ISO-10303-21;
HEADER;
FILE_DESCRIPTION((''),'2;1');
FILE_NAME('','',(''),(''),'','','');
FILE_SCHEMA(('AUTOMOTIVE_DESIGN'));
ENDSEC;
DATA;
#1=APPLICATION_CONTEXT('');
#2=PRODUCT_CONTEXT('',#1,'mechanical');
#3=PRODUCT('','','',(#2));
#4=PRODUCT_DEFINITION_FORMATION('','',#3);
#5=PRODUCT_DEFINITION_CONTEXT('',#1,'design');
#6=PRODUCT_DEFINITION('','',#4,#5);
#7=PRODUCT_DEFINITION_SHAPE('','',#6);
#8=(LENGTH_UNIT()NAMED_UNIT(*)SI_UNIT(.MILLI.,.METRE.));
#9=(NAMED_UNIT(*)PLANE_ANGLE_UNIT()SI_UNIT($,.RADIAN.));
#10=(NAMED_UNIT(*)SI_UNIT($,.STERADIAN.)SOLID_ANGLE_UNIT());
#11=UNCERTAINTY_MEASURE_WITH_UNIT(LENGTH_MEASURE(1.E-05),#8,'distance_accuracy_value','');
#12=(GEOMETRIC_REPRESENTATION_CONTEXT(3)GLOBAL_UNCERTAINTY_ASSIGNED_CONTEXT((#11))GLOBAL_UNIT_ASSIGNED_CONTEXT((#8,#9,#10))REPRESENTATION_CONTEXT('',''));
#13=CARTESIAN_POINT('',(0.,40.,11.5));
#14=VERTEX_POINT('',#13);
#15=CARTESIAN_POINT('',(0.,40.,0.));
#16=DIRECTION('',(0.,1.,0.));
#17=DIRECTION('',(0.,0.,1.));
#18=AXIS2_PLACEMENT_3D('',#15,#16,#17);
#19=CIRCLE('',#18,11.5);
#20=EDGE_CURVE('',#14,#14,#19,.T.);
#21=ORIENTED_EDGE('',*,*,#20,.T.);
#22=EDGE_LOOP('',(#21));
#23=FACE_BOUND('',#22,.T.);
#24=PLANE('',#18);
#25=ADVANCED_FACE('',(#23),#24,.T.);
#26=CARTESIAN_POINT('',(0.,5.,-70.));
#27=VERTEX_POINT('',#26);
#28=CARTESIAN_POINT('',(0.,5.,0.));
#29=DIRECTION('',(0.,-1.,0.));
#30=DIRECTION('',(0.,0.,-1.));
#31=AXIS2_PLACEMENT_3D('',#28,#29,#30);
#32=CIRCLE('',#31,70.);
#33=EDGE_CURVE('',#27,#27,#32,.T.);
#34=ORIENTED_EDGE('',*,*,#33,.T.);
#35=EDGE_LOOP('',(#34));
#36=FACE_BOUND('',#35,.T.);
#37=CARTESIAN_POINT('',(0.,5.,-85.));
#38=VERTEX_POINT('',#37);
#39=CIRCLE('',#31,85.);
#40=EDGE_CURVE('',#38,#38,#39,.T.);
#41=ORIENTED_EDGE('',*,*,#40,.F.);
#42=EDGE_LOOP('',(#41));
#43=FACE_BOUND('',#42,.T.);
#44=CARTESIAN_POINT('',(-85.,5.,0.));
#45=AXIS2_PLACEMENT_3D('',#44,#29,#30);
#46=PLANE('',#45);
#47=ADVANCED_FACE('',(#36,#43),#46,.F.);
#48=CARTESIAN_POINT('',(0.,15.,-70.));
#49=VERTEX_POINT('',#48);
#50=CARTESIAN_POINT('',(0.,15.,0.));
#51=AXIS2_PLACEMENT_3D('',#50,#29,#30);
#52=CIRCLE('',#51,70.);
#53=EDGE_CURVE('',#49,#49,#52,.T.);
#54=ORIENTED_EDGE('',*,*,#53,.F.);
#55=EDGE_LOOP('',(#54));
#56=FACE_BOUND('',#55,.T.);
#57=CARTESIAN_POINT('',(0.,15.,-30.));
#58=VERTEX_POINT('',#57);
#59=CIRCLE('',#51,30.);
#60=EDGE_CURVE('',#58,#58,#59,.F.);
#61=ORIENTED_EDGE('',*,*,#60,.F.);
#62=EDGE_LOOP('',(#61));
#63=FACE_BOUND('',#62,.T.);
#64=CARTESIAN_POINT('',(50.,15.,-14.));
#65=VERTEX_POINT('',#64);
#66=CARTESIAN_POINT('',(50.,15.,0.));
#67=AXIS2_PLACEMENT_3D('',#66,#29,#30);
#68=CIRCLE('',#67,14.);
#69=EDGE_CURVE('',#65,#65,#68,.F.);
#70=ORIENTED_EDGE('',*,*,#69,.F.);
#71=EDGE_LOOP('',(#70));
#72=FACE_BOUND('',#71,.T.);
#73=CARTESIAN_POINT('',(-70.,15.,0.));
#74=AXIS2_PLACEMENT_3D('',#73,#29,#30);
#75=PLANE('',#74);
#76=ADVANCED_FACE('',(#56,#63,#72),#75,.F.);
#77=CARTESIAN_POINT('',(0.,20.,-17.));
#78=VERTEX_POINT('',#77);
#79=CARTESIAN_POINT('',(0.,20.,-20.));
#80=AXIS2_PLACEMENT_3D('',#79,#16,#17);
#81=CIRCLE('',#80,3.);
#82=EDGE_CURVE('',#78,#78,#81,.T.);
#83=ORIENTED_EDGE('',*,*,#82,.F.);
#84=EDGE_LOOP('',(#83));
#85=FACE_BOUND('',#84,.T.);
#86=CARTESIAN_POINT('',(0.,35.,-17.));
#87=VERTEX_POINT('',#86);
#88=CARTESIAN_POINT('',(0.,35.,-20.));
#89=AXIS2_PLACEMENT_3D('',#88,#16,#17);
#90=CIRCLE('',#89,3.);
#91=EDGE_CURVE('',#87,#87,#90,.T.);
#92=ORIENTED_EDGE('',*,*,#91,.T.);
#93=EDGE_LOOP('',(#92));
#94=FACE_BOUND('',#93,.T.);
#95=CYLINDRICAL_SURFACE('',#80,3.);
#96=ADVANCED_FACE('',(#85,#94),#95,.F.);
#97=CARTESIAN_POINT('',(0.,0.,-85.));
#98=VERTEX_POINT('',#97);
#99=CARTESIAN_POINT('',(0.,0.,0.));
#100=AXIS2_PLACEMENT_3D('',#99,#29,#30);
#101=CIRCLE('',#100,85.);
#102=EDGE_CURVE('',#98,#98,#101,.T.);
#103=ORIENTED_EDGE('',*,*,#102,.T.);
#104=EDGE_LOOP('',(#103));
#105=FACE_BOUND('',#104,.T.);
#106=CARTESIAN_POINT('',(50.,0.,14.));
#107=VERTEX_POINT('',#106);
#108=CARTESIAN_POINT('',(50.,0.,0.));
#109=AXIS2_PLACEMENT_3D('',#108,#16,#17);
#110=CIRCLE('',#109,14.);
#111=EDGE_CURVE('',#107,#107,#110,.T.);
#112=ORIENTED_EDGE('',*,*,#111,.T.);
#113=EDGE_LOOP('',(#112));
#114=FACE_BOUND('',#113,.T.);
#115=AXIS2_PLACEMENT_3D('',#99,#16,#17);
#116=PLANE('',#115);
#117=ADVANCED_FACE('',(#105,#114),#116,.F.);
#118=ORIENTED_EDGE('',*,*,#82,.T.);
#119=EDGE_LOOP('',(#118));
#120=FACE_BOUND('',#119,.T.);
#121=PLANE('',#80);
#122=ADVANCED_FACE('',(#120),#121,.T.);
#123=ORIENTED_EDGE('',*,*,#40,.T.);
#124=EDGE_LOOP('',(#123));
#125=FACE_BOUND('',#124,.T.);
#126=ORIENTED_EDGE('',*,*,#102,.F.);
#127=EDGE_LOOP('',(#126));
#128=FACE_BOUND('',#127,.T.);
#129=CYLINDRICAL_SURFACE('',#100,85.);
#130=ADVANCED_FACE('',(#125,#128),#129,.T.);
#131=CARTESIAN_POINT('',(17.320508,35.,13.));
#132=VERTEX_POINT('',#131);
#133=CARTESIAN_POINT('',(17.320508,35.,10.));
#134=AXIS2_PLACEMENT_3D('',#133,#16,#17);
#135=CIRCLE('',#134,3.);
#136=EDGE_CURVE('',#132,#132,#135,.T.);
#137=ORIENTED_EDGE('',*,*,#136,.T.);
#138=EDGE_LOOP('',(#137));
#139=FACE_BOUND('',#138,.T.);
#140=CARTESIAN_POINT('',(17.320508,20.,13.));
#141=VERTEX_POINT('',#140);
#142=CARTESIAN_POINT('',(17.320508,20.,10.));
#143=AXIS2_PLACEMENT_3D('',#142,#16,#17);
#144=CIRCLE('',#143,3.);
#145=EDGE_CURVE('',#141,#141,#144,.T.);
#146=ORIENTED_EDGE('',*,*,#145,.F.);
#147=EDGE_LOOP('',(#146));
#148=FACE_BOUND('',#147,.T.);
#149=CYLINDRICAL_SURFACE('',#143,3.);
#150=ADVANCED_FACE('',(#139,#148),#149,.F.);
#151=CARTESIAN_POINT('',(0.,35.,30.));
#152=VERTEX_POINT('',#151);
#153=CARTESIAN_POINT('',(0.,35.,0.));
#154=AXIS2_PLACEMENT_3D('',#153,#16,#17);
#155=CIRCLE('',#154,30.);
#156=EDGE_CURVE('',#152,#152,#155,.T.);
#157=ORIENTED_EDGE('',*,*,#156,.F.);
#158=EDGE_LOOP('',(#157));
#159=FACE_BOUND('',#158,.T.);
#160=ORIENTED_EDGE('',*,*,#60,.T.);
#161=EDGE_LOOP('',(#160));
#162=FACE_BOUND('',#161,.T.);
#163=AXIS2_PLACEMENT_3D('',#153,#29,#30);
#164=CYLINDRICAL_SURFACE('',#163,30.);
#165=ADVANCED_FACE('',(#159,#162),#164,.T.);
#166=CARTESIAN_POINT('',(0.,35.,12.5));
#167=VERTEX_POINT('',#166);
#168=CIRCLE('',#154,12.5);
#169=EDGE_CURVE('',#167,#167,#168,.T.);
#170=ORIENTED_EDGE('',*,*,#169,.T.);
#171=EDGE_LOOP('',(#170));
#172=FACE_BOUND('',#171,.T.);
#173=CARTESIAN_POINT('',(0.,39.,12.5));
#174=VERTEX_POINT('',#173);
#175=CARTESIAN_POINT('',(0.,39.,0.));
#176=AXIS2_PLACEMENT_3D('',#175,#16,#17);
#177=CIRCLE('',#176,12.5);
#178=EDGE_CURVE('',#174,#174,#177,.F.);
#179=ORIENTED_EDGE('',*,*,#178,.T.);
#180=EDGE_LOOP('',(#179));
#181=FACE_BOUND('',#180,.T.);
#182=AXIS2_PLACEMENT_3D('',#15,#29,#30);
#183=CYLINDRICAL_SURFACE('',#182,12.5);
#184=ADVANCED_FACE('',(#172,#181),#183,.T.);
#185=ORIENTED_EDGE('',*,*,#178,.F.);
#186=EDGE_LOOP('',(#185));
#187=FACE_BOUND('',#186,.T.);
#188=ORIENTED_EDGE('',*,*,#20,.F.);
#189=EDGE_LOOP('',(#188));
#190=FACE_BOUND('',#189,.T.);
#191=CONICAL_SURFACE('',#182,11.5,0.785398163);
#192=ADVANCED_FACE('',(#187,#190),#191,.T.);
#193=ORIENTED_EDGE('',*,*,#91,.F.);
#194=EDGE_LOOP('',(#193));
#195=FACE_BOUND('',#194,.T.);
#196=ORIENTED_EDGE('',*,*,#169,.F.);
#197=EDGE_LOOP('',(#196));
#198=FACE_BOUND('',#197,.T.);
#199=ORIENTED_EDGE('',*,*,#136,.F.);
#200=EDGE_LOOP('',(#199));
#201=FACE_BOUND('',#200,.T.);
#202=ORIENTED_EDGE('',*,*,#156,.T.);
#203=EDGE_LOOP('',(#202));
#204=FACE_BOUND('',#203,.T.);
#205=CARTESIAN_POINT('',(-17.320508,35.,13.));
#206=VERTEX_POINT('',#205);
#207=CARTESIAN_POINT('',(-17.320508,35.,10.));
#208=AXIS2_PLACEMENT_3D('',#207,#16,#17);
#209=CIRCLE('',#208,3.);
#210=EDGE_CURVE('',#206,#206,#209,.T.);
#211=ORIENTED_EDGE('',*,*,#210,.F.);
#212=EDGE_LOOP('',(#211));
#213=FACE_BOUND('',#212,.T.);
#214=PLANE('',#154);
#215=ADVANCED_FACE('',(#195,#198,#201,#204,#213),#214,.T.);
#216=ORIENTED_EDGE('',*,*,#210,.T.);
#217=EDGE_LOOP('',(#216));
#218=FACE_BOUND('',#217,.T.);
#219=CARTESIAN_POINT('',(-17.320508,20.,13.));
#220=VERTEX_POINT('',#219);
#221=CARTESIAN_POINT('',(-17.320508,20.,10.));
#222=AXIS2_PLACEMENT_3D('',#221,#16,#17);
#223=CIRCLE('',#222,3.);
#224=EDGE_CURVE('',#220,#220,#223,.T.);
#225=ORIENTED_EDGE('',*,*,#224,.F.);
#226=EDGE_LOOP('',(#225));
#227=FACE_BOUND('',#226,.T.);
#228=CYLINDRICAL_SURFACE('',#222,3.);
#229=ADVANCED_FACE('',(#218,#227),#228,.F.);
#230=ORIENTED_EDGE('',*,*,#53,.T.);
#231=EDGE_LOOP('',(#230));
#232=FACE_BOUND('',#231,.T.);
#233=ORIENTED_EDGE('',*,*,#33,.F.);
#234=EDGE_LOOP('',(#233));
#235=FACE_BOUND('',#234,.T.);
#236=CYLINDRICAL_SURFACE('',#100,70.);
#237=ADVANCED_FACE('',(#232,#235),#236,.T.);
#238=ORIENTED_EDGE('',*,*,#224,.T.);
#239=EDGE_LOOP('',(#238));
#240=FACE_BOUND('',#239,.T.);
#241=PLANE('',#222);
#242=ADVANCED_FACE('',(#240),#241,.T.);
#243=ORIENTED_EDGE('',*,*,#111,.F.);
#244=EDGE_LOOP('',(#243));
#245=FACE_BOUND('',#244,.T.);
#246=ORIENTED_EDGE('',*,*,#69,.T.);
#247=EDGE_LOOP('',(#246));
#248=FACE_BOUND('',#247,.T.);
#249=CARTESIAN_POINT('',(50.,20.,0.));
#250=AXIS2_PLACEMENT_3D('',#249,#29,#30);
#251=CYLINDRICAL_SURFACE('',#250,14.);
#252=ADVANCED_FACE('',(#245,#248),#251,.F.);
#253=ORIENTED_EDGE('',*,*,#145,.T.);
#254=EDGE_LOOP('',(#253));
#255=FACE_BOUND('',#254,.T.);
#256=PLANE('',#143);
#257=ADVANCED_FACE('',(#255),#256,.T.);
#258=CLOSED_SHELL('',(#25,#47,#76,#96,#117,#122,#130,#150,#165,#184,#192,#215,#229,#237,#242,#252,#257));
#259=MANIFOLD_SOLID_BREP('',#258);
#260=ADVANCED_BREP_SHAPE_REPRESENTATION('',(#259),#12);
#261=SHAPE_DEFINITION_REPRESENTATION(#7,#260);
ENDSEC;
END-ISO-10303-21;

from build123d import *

# Parameters (mm, degrees)
SKETCH_2_R          = 14
CUT_EXTRUDE_1_DEPTH = 20
SKETCH_3_R          = 30
EXTRUDE_1_DEPTH     = 20
SKETCH_4_R          = 12.5
EXTRUDE_2_DEPTH     = 5
CHAMFER_1_SIZE      = 1
SKETCH_5_R          = 3
CUT_EXTRUDE_2_DEPTH = 15


with BuildPart() as part:
    # 草图1 → 旋转1 (revolve)
    with BuildSketch(Plane.XY):
        Polygon((0, 0), (0, 15), (-70, 15), (-70, 5), (-85, 5), (-85, 0), align=None)
    revolve(axis=Axis((0, 0, 0), (0, 1, 0)))

    # 草图2 → 切除-拉伸1 (cut)
    with BuildSketch(Plane(origin=(0, 0, 0), x_dir=(1, 0, 0), z_dir=(0, 1, 0))):
        with Locations((50, 0)):
            Circle(SKETCH_2_R)
    extrude(amount=CUT_EXTRUDE_1_DEPTH, mode=Mode.SUBTRACT)

    # 草图3 → 凸台-拉伸1 (add)
    with BuildSketch(Plane(origin=(0, 15, 0), x_dir=(1, 0, 0), z_dir=(0, 1, 0))):
        Circle(SKETCH_3_R)
    extrude(amount=EXTRUDE_1_DEPTH)

    # 草图4 → 凸台-拉伸2 (add)
    with BuildSketch(Plane(origin=(0, 35, 0), x_dir=(1, 0, 0), z_dir=(0, 1, 0))):
        Circle(SKETCH_4_R)
    extrude(amount=EXTRUDE_2_DEPTH)

    # 倒角1
    chamfer_1_edges = [part.edges().sort_by_distance(p)[0] for p in [
        (-12.5, 40, 0),
    ]]
    chamfer(chamfer_1_edges, length=CHAMFER_1_SIZE)

    # 草图5 → 切除-拉伸2 (cut)
    with BuildSketch(Plane(origin=(0, 35, 0), x_dir=(1, 0, 0), z_dir=(0, 1, 0))):
        with Locations((0, 20)):
            Circle(SKETCH_5_R)
        with Locations((17.320508076, -10)):
            Circle(SKETCH_5_R)
        with Locations((-17.320508076, -10)):
            Circle(SKETCH_5_R)
    extrude(amount=-CUT_EXTRUDE_2_DEPTH, mode=Mode.SUBTRACT)


solid = part.part
